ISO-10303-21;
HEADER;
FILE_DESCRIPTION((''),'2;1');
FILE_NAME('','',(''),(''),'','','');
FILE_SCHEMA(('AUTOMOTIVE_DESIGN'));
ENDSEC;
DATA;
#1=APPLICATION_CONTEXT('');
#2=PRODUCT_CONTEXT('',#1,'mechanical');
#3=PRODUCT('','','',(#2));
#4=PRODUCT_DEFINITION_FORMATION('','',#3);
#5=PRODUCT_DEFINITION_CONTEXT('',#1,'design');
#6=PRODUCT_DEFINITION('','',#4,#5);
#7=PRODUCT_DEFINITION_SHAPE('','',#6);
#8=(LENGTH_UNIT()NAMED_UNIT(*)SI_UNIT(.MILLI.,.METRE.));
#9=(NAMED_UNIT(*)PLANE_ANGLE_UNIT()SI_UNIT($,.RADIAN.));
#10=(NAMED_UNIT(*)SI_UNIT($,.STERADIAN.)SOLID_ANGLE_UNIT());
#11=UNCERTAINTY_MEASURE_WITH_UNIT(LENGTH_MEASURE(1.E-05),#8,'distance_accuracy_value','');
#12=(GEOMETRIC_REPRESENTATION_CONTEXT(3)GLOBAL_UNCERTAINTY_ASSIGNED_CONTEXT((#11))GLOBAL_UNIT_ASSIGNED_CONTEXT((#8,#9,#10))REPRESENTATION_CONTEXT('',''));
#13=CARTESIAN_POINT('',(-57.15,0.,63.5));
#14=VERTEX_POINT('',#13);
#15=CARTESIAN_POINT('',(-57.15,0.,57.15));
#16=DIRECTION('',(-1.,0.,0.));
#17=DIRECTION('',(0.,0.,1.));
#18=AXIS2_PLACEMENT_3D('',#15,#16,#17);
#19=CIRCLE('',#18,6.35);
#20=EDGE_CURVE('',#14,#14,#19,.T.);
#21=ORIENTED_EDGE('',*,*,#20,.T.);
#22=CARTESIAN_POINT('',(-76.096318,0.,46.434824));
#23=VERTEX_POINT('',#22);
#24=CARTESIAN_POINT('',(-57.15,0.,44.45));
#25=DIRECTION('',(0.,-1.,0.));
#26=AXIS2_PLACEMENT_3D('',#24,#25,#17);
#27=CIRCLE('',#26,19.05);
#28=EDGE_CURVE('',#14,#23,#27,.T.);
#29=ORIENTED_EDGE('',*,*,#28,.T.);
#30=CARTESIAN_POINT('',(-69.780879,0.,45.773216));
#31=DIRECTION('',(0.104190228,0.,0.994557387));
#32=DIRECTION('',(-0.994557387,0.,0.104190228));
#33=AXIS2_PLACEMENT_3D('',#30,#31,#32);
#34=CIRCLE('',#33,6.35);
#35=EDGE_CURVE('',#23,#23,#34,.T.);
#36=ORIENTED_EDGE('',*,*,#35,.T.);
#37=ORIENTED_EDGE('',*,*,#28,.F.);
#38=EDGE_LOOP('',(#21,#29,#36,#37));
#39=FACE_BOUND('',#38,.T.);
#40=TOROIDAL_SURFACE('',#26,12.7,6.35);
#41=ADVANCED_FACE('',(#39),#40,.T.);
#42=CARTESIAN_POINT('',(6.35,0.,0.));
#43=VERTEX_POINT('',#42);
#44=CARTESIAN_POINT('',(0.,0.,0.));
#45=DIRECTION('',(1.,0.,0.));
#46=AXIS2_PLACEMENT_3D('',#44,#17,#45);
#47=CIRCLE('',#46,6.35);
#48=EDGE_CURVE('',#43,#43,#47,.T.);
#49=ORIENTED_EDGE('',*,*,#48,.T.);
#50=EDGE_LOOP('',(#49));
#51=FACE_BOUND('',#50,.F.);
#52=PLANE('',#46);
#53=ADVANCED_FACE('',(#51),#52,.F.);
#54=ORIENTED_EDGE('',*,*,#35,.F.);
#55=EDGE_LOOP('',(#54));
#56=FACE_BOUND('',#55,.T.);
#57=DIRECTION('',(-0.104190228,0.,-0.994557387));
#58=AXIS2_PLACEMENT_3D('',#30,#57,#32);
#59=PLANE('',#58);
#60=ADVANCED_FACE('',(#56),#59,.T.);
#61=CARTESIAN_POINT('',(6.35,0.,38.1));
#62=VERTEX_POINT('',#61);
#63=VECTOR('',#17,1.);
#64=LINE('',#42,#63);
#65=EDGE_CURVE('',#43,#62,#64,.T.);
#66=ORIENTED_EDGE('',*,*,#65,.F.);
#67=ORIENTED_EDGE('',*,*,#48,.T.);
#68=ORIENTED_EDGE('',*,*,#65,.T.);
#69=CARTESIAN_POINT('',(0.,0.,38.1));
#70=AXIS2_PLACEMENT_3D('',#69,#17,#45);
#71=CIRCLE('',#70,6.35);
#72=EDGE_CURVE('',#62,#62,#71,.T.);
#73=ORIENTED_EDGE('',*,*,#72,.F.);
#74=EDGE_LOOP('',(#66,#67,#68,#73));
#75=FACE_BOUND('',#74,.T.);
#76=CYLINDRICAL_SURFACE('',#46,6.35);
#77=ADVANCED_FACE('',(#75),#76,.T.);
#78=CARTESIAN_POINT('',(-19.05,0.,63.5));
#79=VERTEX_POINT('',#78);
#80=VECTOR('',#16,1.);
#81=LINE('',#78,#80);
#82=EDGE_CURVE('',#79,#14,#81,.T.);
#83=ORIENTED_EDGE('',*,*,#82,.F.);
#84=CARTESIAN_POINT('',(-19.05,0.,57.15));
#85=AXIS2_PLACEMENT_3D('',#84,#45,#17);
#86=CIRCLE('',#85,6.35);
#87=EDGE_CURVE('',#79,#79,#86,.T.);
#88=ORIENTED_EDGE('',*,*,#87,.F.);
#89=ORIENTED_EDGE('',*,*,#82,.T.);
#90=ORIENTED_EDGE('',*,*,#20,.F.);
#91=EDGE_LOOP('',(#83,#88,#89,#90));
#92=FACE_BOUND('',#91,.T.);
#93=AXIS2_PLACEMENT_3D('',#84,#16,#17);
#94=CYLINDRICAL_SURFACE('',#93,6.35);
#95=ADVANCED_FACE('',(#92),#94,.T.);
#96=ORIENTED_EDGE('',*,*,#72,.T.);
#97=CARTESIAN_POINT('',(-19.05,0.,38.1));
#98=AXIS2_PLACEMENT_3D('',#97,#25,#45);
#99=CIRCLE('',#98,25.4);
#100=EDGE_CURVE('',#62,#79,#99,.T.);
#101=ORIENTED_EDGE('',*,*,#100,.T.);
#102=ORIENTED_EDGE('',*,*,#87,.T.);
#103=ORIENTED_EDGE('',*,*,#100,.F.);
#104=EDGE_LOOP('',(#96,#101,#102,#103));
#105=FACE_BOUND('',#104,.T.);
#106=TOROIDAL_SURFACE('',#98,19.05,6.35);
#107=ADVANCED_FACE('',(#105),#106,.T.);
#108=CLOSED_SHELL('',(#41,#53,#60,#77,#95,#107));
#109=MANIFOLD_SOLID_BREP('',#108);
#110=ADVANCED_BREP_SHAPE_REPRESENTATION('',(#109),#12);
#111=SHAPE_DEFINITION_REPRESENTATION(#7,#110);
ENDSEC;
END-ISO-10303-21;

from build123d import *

# Parameters (mm, degrees)
F0_R = 6.35


with BuildPart() as f2:
    # F2: sweep along a path in F1
    with BuildLine(Plane.XZ) as f2_path:
        Line((0, 0), (0, 38.1))
        ThreePointArc((0, 38.1), (-5.5796158184, 51.5703841816), (-19.05, 57.15))
        Line((-19.05, 57.15), (-57.15, 57.15))
        ThreePointArc((-57.15, 57.15), (-65.6495634607, 53.8864941042), (-69.7808788165, 45.773215902))
    # F0 (on Top) → F2 (sweep)
    with BuildSketch(Plane.XY):
        Circle(F0_R)
    sweep(path=f2_path.line)


solid = f2.part
